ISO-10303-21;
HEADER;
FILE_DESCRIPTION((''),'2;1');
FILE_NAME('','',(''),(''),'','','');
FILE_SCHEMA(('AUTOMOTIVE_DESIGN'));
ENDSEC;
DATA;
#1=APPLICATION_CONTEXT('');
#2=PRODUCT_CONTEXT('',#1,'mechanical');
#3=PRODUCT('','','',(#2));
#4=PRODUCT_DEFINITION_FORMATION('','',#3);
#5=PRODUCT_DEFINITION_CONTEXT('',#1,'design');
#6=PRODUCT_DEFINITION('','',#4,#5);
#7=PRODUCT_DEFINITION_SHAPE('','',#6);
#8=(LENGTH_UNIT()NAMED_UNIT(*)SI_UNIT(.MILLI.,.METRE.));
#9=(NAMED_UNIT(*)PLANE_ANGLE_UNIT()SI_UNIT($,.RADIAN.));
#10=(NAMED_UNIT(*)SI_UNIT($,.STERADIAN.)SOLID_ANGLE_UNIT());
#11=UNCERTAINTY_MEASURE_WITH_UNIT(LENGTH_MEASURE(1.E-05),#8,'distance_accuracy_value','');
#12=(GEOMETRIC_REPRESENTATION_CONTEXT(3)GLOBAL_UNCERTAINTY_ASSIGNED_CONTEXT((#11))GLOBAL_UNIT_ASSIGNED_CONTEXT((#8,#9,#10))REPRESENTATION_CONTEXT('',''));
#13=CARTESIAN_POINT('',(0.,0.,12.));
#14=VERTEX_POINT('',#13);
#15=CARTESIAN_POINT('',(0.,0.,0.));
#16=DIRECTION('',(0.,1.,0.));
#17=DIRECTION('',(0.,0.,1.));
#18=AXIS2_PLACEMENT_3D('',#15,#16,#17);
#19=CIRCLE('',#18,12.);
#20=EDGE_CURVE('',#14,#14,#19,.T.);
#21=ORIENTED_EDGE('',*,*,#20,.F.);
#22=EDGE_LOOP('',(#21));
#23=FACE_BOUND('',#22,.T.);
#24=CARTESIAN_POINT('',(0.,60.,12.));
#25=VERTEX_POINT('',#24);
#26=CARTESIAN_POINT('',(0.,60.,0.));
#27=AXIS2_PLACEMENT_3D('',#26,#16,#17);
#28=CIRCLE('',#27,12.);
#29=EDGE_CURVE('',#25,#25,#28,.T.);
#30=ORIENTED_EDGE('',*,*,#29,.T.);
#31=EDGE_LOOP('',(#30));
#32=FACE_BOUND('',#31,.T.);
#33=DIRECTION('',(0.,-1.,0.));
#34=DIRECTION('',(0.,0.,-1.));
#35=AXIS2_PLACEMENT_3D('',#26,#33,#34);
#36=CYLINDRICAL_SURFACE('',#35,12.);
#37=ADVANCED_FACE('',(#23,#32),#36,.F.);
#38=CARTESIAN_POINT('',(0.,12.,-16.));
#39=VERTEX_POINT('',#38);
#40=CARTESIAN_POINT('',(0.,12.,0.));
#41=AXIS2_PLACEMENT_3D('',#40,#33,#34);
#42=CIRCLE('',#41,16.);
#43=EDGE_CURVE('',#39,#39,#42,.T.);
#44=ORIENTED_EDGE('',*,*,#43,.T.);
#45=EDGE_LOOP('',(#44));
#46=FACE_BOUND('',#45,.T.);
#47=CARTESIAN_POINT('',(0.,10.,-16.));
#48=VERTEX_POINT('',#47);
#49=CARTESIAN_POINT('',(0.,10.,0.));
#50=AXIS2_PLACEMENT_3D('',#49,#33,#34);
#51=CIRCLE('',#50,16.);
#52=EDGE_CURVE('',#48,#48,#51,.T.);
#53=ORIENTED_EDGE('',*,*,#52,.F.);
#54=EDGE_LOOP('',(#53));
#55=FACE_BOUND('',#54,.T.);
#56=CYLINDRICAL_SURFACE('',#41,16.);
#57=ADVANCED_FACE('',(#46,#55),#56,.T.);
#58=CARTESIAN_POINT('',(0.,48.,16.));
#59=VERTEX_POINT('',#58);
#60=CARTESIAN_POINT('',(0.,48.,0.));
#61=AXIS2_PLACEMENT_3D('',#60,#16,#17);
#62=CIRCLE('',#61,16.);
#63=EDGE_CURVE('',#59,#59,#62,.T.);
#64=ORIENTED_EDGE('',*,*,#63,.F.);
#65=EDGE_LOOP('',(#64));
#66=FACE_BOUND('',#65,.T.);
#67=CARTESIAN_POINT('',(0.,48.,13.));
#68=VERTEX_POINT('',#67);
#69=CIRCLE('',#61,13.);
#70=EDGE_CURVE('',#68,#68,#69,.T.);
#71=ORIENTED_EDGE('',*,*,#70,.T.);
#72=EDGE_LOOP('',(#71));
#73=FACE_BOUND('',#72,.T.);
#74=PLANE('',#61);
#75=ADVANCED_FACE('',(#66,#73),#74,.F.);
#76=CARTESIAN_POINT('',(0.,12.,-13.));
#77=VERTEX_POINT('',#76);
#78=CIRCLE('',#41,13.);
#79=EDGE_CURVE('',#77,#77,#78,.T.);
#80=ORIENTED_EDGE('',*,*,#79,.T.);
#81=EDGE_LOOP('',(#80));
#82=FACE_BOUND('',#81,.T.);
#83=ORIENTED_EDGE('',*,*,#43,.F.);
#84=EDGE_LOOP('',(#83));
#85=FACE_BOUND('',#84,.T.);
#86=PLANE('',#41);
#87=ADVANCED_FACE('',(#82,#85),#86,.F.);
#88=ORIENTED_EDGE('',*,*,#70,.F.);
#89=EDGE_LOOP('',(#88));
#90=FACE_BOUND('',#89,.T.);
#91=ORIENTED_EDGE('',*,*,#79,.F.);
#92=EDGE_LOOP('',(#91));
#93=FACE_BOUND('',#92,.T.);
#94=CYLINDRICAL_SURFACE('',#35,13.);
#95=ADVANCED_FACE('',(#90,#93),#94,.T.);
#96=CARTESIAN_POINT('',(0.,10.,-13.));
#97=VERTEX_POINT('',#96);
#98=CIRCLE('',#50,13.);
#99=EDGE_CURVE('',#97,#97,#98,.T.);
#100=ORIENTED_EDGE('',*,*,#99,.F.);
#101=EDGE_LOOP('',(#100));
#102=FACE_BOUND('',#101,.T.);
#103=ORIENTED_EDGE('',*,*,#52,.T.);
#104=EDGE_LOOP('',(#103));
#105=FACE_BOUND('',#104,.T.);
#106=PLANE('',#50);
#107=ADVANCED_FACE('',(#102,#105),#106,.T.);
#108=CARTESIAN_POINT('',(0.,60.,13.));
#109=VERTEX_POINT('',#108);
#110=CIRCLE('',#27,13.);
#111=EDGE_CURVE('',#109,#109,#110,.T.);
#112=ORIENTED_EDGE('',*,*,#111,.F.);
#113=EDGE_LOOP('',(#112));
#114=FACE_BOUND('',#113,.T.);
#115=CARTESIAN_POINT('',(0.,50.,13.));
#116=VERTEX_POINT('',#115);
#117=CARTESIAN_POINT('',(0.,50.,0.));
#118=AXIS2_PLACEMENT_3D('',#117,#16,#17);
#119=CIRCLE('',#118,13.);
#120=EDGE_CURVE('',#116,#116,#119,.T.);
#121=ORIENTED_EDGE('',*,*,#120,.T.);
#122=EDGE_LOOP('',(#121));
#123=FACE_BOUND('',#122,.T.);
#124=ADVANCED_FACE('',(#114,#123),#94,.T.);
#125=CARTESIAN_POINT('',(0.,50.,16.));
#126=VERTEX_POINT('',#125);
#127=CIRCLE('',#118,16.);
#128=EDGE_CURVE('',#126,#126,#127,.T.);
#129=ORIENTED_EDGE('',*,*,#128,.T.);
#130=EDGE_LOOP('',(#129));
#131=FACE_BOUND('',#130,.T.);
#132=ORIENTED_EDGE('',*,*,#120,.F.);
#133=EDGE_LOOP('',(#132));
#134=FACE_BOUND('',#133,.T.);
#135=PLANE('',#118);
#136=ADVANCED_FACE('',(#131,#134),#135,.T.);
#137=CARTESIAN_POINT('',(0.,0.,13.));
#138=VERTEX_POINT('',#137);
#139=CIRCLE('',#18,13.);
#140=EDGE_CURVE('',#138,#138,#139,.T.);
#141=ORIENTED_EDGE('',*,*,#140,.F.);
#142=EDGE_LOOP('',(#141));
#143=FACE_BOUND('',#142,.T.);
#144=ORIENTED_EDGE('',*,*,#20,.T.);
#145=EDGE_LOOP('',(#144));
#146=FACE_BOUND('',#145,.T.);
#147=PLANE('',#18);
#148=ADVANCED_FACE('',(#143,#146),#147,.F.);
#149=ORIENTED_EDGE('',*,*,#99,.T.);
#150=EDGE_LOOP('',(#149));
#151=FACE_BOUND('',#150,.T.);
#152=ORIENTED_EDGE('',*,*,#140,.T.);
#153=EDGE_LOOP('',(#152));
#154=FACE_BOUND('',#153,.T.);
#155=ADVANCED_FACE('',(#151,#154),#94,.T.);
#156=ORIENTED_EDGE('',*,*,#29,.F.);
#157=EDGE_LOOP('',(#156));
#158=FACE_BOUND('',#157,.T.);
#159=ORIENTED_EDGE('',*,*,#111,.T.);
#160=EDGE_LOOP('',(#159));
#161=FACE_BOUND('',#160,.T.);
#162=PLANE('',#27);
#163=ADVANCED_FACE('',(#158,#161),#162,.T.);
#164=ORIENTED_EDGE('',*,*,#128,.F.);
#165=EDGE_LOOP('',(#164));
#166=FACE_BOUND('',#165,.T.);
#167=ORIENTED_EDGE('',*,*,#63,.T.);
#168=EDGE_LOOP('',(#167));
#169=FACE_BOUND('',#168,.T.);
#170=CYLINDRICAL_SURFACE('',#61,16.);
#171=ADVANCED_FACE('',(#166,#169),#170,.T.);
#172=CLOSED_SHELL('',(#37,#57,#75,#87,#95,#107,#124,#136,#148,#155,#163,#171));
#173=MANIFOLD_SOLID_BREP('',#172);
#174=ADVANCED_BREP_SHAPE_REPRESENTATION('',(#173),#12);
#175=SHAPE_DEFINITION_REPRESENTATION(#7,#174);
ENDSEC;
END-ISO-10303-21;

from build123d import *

# Parameters (mm, degrees)
SKETCH_1_R      = 13
SKETCH_1_R_2    = 12
EXTRUDE_1_DEPTH = 60
EXTRUDE_START   = -10
SKETCH_2_R      = 16
SKETCH_2_R_2    = 12
EXTRUDE_3_DEPTH = 2
SKETCH_3_R      = 16
SKETCH_3_R_2    = 12
EXTRUDE_4_DEPTH = 2


with BuildPart() as part:
    # Эскиз1 → Бобышка-Вытянуть1 (new body)
    with BuildSketch(Plane(origin=(0, 0, 0), x_dir=(1, 0, 0), z_dir=(0, 1, 0))):
        Circle(SKETCH_1_R)
        Circle(SKETCH_1_R_2, mode=Mode.SUBTRACT)
    extrude(amount=EXTRUDE_1_DEPTH)

    # Эскиз2 → Бобышка-Вытянуть3 (add)
    with BuildSketch(Plane(origin=(0, 60, 0), x_dir=(1, 0, 0), z_dir=(0, 1, 0)).offset(EXTRUDE_START)):
        Circle(SKETCH_2_R)
        Circle(SKETCH_2_R_2, mode=Mode.SUBTRACT)
    extrude(amount=-EXTRUDE_3_DEPTH)

    # Эскиз3 → Бобышка-Вытянуть4 (add)
    with BuildSketch(Plane.XZ.offset(EXTRUDE_START)):
        Circle(SKETCH_3_R)
        Circle(SKETCH_3_R_2, mode=Mode.SUBTRACT)
    extrude(amount=-EXTRUDE_4_DEPTH)


solid = part.part
